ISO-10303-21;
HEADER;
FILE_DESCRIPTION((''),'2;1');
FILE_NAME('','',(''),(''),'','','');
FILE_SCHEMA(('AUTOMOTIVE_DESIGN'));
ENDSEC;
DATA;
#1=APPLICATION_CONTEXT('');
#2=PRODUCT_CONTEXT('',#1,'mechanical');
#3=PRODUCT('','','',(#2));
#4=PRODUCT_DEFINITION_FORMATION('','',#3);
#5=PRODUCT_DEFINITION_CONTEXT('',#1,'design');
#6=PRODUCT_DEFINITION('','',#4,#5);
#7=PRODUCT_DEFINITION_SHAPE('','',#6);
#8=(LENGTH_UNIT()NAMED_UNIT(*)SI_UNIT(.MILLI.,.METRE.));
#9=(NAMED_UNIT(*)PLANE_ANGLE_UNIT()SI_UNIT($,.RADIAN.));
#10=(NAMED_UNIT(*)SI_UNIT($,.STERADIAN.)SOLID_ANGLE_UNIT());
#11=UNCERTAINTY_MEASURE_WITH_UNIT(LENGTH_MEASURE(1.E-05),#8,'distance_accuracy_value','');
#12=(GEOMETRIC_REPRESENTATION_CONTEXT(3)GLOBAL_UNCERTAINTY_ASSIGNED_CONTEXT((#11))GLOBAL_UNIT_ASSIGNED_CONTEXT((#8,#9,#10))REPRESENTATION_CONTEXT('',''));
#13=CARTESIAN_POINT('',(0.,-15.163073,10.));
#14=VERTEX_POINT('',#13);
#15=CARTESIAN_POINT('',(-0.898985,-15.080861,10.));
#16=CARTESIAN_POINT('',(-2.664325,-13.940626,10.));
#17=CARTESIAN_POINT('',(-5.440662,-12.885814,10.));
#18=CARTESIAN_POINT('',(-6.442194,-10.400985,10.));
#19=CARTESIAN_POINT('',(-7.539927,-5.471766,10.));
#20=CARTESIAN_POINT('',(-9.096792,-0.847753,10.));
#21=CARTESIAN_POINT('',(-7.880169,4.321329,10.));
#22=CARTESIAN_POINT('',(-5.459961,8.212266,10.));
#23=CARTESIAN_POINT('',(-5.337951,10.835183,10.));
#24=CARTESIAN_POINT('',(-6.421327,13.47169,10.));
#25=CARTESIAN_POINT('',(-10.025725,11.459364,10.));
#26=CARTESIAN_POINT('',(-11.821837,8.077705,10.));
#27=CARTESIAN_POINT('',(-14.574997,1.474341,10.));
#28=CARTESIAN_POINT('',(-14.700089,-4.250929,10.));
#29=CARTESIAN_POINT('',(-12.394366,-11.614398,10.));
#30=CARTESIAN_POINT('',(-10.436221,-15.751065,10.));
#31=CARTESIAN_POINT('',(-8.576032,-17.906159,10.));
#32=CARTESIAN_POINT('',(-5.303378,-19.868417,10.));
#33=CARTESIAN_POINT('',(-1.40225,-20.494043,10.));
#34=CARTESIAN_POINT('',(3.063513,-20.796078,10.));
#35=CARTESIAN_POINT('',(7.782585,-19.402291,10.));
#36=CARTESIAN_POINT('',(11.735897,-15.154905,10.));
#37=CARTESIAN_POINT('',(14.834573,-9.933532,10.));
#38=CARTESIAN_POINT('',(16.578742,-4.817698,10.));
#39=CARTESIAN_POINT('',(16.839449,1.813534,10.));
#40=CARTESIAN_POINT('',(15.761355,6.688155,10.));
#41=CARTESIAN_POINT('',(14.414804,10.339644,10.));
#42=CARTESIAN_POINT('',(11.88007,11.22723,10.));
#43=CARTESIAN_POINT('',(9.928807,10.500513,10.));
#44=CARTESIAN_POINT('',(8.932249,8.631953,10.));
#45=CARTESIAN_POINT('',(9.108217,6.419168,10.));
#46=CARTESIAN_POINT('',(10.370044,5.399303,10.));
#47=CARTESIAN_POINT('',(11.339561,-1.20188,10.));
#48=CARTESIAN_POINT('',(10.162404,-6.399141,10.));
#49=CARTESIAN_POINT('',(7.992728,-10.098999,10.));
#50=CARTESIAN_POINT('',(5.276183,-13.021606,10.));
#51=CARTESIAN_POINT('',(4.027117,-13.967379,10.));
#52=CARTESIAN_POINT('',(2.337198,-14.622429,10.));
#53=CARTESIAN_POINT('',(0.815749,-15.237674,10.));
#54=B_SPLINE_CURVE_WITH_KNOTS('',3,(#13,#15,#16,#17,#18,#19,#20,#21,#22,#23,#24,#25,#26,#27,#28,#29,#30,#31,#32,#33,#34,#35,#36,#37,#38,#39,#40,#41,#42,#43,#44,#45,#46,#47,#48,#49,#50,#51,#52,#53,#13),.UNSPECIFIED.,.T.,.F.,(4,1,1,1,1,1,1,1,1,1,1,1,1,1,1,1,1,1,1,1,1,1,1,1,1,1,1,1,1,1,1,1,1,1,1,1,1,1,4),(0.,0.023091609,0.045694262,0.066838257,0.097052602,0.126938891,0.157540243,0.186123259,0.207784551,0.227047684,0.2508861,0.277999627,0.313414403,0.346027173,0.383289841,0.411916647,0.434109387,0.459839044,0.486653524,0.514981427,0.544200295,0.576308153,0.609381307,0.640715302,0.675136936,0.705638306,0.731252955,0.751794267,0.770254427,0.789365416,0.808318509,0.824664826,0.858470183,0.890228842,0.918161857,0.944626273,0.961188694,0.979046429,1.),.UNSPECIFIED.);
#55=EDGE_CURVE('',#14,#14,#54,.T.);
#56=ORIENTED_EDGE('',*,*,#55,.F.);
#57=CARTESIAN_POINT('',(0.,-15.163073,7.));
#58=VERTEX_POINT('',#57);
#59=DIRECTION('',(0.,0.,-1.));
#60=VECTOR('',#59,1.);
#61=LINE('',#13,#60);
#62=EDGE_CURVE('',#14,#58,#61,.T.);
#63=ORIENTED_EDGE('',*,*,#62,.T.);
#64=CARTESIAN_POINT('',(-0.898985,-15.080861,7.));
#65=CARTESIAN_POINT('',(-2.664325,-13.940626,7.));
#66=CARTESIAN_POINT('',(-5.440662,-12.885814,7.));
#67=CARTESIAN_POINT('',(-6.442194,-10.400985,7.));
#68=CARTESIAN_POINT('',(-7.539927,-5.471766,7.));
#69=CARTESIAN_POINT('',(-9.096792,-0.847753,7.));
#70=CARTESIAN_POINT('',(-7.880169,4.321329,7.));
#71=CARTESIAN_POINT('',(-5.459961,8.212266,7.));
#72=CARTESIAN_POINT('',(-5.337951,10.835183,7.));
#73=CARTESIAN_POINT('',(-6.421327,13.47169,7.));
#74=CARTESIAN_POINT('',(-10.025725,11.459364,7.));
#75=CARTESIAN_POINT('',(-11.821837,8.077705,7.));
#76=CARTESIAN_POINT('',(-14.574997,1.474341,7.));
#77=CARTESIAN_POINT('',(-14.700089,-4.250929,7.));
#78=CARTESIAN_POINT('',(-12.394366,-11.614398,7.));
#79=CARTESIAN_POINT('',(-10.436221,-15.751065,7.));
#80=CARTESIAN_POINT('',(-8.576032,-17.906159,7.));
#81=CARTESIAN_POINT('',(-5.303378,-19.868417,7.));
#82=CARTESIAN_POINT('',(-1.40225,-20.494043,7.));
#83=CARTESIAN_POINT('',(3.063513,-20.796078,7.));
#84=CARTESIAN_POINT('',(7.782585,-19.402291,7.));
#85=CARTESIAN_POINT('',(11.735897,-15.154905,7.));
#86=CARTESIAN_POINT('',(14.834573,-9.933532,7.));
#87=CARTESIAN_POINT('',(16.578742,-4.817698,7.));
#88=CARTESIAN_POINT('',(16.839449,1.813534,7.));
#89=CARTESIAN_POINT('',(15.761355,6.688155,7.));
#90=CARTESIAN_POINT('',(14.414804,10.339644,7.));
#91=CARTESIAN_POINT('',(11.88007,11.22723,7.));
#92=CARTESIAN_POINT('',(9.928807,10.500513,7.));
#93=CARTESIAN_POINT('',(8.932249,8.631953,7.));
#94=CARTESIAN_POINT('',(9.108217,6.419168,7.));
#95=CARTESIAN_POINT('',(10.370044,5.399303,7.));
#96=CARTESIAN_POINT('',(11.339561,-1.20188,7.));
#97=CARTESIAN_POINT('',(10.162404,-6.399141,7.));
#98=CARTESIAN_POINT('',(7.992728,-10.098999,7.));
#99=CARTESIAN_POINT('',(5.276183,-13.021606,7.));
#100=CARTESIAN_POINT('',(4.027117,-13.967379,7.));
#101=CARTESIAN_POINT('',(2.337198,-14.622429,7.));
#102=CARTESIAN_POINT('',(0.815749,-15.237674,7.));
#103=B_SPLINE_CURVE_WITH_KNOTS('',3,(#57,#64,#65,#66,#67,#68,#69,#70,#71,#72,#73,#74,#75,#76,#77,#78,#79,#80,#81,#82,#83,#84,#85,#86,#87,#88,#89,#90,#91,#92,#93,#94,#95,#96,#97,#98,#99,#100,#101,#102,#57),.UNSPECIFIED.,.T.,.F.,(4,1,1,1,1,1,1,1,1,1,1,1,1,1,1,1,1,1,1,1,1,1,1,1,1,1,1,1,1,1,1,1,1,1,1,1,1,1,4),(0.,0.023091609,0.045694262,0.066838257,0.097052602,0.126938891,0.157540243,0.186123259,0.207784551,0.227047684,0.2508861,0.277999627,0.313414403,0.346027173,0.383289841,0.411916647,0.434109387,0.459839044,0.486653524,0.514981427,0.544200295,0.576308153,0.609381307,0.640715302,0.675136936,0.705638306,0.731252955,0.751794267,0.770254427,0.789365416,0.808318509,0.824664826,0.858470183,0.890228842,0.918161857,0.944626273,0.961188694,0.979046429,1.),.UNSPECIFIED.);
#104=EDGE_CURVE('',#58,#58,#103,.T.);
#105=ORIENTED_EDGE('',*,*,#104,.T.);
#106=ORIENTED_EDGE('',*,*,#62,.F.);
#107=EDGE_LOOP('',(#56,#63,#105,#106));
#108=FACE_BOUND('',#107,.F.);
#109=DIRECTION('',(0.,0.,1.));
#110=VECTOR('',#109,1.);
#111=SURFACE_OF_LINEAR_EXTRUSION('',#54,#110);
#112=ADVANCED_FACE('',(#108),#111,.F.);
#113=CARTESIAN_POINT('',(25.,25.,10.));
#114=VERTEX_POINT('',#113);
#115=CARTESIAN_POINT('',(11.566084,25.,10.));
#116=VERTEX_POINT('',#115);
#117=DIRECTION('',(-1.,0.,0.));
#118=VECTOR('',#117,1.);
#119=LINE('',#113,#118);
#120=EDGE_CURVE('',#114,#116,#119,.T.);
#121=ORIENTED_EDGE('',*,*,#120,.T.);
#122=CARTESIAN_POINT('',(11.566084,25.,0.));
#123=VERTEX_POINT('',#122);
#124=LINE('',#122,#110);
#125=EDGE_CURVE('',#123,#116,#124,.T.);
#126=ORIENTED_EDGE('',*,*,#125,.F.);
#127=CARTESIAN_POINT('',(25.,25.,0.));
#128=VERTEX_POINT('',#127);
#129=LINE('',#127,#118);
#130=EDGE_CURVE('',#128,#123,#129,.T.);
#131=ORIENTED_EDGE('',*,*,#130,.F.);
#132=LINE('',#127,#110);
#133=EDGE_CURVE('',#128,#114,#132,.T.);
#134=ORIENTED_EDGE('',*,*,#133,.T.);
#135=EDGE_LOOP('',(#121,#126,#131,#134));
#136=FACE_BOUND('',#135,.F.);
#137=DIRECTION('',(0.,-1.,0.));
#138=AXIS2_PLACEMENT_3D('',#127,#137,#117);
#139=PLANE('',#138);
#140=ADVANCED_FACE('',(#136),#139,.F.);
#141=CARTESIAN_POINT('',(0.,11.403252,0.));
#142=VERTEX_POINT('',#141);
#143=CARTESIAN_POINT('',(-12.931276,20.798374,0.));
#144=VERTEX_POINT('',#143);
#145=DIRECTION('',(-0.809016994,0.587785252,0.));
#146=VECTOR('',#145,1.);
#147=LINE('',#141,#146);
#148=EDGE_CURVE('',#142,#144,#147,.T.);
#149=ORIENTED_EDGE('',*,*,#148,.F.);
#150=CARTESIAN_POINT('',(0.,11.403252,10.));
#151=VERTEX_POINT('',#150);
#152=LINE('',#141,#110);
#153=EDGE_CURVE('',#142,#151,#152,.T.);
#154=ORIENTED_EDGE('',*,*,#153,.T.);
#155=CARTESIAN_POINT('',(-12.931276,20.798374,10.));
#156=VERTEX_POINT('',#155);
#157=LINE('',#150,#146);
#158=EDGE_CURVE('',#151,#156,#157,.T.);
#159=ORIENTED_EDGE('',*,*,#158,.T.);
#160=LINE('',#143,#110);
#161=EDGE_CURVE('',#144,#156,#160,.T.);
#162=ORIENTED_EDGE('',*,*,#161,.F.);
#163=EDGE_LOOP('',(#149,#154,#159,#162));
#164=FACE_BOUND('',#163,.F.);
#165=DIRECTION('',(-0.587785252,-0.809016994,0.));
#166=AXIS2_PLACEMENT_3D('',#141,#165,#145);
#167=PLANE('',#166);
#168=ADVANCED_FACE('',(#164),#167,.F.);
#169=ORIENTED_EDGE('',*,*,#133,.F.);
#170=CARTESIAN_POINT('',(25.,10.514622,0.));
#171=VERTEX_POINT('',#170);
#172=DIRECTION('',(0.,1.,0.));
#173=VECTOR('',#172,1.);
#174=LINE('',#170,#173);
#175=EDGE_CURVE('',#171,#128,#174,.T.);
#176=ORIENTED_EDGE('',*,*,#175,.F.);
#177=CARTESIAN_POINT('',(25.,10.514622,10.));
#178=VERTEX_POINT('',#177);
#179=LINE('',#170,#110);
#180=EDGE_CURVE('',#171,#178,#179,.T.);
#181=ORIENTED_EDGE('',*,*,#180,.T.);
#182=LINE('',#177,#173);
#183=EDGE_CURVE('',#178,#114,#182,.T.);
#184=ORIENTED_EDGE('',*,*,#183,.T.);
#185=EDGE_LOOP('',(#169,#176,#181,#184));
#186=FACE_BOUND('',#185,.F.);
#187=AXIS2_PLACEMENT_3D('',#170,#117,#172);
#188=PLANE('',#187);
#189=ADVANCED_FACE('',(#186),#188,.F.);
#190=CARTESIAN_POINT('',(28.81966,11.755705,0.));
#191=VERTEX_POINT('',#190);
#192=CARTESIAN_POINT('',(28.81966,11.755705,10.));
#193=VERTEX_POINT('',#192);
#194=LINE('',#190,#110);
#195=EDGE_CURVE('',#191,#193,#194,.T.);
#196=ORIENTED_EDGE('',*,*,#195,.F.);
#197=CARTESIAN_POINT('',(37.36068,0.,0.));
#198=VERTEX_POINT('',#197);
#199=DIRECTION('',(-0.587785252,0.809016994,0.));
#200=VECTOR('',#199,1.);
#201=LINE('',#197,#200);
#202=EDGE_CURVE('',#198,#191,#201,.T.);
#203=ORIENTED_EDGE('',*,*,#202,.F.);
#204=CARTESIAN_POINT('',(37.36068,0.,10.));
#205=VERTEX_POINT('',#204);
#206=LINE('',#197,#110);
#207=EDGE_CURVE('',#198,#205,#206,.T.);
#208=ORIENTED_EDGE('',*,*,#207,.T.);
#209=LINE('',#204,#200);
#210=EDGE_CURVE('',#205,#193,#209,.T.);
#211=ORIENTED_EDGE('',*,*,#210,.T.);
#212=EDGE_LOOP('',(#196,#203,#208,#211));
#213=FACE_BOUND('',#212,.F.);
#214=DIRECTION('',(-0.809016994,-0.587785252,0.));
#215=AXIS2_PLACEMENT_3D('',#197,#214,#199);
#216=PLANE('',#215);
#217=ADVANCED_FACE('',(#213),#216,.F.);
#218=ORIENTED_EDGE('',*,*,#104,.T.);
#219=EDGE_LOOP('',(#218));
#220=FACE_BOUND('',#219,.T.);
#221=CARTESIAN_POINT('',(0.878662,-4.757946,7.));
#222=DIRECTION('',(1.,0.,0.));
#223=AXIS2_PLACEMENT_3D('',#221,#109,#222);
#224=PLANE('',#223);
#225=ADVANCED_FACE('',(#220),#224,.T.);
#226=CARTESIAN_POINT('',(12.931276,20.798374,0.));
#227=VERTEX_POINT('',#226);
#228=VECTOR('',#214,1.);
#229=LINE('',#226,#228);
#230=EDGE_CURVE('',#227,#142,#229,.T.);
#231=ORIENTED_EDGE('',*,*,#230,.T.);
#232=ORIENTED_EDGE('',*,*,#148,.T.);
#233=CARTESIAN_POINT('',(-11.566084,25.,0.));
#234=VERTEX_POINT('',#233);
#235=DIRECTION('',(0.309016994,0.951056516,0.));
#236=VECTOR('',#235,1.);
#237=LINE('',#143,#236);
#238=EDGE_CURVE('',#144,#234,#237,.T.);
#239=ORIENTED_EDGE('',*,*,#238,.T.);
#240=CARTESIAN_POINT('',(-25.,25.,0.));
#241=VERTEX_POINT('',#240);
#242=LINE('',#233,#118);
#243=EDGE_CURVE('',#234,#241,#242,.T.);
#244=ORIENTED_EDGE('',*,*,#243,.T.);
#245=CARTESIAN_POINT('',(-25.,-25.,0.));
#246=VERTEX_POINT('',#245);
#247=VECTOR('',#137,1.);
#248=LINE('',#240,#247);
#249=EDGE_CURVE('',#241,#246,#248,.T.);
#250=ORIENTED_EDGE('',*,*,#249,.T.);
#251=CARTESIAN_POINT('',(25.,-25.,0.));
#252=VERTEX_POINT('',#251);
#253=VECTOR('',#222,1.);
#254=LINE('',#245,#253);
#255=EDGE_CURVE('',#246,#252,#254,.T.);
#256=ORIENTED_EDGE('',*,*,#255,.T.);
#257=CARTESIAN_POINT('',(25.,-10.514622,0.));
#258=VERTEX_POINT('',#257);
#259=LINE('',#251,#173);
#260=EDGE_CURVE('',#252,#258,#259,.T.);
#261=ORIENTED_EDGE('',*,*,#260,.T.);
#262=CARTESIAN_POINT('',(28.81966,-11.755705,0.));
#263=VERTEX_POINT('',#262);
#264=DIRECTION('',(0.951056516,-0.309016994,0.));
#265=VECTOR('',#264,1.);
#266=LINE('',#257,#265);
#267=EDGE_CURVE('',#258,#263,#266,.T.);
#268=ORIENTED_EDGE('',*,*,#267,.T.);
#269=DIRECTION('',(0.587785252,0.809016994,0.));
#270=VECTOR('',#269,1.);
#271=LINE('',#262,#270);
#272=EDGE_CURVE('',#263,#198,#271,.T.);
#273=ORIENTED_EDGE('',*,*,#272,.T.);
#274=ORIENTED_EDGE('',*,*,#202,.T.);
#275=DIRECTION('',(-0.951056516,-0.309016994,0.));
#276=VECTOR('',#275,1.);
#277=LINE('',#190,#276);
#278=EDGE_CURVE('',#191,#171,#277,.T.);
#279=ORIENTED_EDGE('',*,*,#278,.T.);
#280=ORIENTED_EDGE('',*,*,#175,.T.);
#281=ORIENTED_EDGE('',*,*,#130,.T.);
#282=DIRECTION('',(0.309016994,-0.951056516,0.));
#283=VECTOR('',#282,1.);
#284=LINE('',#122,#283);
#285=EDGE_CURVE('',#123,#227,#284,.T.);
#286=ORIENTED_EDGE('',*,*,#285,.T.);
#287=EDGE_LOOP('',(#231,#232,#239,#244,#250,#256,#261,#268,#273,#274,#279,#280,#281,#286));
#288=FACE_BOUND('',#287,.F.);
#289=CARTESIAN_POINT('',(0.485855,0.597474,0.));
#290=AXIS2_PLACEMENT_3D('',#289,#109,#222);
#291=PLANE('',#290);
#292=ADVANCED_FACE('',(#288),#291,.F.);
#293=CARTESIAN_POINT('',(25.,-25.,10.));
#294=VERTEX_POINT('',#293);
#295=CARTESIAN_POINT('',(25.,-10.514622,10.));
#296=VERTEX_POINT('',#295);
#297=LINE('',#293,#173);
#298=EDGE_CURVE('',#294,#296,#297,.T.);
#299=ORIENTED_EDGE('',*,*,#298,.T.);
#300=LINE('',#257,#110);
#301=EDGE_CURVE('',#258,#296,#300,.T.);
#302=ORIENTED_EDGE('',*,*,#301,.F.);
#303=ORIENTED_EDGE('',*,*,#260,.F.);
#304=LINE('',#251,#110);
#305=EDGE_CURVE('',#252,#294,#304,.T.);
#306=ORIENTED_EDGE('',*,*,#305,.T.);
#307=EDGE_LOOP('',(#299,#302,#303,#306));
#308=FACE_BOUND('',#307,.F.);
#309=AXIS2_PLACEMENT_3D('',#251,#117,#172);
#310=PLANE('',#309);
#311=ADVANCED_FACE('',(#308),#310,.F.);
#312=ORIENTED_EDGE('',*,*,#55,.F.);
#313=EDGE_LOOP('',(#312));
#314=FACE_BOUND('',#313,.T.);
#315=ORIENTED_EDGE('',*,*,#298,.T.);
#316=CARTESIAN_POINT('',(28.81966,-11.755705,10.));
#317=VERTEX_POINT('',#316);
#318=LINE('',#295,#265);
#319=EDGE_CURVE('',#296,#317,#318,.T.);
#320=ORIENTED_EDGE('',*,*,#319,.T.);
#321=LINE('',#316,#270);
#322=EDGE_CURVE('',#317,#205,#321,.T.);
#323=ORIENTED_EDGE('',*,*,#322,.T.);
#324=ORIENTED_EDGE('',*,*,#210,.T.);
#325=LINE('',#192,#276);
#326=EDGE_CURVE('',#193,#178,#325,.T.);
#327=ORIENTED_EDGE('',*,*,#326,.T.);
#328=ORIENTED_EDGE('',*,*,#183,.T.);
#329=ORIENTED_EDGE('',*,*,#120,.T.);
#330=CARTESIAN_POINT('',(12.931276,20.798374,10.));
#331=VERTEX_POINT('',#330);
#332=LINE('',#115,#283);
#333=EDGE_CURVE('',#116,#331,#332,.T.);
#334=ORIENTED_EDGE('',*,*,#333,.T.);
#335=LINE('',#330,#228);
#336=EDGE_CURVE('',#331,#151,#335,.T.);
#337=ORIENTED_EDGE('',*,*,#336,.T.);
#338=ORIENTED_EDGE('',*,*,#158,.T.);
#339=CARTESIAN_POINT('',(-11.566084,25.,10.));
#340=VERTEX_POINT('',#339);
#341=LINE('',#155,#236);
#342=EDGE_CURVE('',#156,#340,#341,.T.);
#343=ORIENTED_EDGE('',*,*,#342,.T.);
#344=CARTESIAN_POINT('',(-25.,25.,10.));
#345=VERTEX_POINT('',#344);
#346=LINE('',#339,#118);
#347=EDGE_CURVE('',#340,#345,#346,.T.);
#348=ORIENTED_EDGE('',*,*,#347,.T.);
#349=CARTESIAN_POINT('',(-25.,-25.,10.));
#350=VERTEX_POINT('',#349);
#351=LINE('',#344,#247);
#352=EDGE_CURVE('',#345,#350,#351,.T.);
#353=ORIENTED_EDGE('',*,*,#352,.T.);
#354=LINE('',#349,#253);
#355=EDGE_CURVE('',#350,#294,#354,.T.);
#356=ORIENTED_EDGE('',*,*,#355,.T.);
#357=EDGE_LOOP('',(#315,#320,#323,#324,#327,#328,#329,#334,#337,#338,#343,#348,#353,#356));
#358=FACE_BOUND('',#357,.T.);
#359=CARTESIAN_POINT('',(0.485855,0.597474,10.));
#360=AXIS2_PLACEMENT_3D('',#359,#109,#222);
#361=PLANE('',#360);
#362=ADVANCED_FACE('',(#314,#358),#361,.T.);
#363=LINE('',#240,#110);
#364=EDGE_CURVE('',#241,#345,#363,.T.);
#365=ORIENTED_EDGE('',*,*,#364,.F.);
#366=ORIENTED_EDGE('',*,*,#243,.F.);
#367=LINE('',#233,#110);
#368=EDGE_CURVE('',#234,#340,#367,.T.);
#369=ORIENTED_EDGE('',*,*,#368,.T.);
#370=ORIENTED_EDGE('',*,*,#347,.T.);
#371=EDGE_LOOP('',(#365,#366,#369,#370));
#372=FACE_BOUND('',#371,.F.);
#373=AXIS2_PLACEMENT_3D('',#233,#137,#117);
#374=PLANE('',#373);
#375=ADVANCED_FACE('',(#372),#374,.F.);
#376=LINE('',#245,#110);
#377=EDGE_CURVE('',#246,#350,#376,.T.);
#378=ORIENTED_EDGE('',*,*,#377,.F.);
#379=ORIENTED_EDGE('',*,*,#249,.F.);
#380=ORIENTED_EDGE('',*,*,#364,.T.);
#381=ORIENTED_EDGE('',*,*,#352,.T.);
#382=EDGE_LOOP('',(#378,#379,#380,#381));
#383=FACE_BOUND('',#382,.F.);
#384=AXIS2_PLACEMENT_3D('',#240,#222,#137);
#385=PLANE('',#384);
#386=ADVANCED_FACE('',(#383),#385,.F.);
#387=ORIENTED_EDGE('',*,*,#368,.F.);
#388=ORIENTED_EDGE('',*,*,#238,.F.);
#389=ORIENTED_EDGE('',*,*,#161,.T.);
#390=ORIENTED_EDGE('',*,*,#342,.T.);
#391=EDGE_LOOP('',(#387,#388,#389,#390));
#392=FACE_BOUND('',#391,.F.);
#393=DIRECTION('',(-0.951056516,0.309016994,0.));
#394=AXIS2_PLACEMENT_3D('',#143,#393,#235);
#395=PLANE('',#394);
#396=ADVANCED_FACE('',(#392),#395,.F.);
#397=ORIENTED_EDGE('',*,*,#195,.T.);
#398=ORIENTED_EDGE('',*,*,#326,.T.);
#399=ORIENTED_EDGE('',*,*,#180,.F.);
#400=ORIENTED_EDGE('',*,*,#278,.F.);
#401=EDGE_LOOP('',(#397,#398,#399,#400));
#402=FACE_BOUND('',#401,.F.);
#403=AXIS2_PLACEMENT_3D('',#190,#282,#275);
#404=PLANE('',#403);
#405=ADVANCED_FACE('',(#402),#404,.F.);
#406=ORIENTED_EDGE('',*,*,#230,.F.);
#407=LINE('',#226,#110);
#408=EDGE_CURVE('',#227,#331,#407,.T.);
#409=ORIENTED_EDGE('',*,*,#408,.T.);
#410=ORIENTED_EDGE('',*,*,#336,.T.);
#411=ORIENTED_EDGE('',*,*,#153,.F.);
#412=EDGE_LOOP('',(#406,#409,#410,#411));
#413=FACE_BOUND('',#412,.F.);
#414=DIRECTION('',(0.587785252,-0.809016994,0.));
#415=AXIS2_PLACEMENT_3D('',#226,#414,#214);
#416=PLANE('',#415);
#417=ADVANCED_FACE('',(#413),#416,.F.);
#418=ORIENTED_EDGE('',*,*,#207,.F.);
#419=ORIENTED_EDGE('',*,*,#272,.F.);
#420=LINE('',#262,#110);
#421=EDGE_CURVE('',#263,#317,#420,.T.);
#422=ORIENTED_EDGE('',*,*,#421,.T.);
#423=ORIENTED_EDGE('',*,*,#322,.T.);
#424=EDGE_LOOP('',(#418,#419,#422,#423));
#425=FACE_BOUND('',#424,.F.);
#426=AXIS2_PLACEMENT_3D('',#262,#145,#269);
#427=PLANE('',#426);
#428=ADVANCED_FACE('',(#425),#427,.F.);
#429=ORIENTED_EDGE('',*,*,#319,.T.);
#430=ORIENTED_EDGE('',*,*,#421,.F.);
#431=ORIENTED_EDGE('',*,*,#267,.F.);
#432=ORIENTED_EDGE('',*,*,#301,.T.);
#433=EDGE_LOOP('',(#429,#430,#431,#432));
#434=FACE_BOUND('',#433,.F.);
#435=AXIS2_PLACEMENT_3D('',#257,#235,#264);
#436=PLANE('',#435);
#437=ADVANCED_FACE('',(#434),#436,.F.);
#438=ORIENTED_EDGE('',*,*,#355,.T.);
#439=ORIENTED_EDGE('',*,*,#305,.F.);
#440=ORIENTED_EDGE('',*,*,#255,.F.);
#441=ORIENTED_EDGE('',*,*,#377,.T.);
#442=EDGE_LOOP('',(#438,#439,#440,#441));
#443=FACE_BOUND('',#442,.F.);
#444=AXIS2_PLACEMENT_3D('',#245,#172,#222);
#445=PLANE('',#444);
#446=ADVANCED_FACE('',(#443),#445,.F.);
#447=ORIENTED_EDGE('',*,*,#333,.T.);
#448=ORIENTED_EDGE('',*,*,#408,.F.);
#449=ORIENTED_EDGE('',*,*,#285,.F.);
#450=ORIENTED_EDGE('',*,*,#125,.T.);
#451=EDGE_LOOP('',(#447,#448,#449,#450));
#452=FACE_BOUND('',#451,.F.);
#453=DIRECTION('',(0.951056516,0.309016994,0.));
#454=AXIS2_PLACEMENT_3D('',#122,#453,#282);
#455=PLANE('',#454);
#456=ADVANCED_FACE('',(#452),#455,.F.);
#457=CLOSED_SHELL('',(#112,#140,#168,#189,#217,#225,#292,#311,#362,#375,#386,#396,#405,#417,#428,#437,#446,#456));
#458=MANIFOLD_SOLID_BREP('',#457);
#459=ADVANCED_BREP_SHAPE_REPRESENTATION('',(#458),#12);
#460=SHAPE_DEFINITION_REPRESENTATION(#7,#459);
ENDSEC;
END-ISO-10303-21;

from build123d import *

# Parameters (mm, degrees)
F1_DEPTH = 10
F3_DEPTH = 3


with BuildPart() as f1:
    # F0 (on Top) → F1 (new body)
    with BuildSketch(Plane.XY):
        Polygon((-25, -25), (25, -25), (25, -10.5146222424), (15, -7.2654252801), (15, 7.2654252801), (25, 10.5146222424), (25, 25), (11.5660844666, 25), (12.9312755504, 20.7983738762), (0, 11.4032522475), (-12.9312755504, 20.7983738762), (-11.5660844666, 25), (-25, 25), align=None)
        Polygon((25, 10.5146222424), (25, -10.5146222424), (28.8196601125, -11.7557050458), (37.360679775, 0), (28.8196601125, 11.7557050458), align=None)
        Polygon((15, -7.2654252801), (25, -10.5146222424), (25, 10.5146222424), (15, 7.2654252801), align=None)
    extrude(amount=F1_DEPTH)

    # F2 (on face) → F3 (cut)
    with BuildSketch(Plane.XY.offset(10)):
        with BuildLine():
            add(Edge.make_bspline(
                [(0, -15.1630733162), (-0.8989850404, -15.0808606392), (-2.6643250006, -13.9406256673), (-5.4406618286, -12.8858138503), (-6.442194032, -10.4009853792), (-7.5399269939, -5.4717664902), (-9.0967917274, -0.847753307), (-7.8801693926, 4.3213288605), (-5.4599611036, 8.2122659563), (-5.3379512972, 10.8351826511), (-6.4213267461, 13.4716901593), (-10.0257250835, 11.4593644619), (-11.8218365591, 8.0777054681), (-14.5749972878, 1.4743405308), (-14.7000887421, -4.2509291155), (-12.3943664514, -11.614397867), (-10.4362214559, -15.7510647645), (-8.5760315461, -17.9061588939), (-5.3033780373, -19.8684167706), (-1.4022499594, -20.4940428799), (3.0635129736, -20.7960779215), (7.7825851346, -19.4022908121), (11.735896786, -15.1549051897), (14.8345733953, -9.9335317778), (16.5787420103, -4.8176976125), (16.8394489535, 1.8135336799), (15.7613550981, 6.6881552492), (14.4148041414, 10.3396443384), (11.8800698082, 11.2272303249), (9.9288073216, 10.5005128495), (8.9322486917, 8.6319527915), (9.108217462, 6.4191678334), (10.3700442398, 5.3993034182), (11.3395611468, -1.2018795563), (10.1624039424, -6.3991410513), (7.9927280706, -10.0989991723), (5.2761827662, -13.0216060149), (4.0271168339, -13.9673793536), (2.3371984846, -14.6224289345), (0.8157485479, -15.2376739701), (0, -15.1630733162)],
                knots=[0, 0, 0, 0, 0.0230916095, 0.0456942616, 0.0668382575, 0.0970526023, 0.1269388911, 0.1575402431, 0.1861232591, 0.2077845509, 0.2270476836, 0.2508861005, 0.2779996266, 0.313414403, 0.3460271728, 0.3832898407, 0.4119166473, 0.4341093865, 0.4598390436, 0.486653524, 0.5149814266, 0.5442002949, 0.5763081534, 0.6093813072, 0.6407153019, 0.6751369364, 0.7056383061, 0.7312529552, 0.7517942671, 0.7702544268, 0.7893654158, 0.8083185095, 0.8246648257, 0.8584701834, 0.8902288415, 0.9181618566, 0.9446262727, 0.9611886938, 0.979046429, 1, 1, 1, 1], degree=3))
        make_face()
    extrude(amount=-F3_DEPTH, mode=Mode.SUBTRACT)


solid = f1.part
